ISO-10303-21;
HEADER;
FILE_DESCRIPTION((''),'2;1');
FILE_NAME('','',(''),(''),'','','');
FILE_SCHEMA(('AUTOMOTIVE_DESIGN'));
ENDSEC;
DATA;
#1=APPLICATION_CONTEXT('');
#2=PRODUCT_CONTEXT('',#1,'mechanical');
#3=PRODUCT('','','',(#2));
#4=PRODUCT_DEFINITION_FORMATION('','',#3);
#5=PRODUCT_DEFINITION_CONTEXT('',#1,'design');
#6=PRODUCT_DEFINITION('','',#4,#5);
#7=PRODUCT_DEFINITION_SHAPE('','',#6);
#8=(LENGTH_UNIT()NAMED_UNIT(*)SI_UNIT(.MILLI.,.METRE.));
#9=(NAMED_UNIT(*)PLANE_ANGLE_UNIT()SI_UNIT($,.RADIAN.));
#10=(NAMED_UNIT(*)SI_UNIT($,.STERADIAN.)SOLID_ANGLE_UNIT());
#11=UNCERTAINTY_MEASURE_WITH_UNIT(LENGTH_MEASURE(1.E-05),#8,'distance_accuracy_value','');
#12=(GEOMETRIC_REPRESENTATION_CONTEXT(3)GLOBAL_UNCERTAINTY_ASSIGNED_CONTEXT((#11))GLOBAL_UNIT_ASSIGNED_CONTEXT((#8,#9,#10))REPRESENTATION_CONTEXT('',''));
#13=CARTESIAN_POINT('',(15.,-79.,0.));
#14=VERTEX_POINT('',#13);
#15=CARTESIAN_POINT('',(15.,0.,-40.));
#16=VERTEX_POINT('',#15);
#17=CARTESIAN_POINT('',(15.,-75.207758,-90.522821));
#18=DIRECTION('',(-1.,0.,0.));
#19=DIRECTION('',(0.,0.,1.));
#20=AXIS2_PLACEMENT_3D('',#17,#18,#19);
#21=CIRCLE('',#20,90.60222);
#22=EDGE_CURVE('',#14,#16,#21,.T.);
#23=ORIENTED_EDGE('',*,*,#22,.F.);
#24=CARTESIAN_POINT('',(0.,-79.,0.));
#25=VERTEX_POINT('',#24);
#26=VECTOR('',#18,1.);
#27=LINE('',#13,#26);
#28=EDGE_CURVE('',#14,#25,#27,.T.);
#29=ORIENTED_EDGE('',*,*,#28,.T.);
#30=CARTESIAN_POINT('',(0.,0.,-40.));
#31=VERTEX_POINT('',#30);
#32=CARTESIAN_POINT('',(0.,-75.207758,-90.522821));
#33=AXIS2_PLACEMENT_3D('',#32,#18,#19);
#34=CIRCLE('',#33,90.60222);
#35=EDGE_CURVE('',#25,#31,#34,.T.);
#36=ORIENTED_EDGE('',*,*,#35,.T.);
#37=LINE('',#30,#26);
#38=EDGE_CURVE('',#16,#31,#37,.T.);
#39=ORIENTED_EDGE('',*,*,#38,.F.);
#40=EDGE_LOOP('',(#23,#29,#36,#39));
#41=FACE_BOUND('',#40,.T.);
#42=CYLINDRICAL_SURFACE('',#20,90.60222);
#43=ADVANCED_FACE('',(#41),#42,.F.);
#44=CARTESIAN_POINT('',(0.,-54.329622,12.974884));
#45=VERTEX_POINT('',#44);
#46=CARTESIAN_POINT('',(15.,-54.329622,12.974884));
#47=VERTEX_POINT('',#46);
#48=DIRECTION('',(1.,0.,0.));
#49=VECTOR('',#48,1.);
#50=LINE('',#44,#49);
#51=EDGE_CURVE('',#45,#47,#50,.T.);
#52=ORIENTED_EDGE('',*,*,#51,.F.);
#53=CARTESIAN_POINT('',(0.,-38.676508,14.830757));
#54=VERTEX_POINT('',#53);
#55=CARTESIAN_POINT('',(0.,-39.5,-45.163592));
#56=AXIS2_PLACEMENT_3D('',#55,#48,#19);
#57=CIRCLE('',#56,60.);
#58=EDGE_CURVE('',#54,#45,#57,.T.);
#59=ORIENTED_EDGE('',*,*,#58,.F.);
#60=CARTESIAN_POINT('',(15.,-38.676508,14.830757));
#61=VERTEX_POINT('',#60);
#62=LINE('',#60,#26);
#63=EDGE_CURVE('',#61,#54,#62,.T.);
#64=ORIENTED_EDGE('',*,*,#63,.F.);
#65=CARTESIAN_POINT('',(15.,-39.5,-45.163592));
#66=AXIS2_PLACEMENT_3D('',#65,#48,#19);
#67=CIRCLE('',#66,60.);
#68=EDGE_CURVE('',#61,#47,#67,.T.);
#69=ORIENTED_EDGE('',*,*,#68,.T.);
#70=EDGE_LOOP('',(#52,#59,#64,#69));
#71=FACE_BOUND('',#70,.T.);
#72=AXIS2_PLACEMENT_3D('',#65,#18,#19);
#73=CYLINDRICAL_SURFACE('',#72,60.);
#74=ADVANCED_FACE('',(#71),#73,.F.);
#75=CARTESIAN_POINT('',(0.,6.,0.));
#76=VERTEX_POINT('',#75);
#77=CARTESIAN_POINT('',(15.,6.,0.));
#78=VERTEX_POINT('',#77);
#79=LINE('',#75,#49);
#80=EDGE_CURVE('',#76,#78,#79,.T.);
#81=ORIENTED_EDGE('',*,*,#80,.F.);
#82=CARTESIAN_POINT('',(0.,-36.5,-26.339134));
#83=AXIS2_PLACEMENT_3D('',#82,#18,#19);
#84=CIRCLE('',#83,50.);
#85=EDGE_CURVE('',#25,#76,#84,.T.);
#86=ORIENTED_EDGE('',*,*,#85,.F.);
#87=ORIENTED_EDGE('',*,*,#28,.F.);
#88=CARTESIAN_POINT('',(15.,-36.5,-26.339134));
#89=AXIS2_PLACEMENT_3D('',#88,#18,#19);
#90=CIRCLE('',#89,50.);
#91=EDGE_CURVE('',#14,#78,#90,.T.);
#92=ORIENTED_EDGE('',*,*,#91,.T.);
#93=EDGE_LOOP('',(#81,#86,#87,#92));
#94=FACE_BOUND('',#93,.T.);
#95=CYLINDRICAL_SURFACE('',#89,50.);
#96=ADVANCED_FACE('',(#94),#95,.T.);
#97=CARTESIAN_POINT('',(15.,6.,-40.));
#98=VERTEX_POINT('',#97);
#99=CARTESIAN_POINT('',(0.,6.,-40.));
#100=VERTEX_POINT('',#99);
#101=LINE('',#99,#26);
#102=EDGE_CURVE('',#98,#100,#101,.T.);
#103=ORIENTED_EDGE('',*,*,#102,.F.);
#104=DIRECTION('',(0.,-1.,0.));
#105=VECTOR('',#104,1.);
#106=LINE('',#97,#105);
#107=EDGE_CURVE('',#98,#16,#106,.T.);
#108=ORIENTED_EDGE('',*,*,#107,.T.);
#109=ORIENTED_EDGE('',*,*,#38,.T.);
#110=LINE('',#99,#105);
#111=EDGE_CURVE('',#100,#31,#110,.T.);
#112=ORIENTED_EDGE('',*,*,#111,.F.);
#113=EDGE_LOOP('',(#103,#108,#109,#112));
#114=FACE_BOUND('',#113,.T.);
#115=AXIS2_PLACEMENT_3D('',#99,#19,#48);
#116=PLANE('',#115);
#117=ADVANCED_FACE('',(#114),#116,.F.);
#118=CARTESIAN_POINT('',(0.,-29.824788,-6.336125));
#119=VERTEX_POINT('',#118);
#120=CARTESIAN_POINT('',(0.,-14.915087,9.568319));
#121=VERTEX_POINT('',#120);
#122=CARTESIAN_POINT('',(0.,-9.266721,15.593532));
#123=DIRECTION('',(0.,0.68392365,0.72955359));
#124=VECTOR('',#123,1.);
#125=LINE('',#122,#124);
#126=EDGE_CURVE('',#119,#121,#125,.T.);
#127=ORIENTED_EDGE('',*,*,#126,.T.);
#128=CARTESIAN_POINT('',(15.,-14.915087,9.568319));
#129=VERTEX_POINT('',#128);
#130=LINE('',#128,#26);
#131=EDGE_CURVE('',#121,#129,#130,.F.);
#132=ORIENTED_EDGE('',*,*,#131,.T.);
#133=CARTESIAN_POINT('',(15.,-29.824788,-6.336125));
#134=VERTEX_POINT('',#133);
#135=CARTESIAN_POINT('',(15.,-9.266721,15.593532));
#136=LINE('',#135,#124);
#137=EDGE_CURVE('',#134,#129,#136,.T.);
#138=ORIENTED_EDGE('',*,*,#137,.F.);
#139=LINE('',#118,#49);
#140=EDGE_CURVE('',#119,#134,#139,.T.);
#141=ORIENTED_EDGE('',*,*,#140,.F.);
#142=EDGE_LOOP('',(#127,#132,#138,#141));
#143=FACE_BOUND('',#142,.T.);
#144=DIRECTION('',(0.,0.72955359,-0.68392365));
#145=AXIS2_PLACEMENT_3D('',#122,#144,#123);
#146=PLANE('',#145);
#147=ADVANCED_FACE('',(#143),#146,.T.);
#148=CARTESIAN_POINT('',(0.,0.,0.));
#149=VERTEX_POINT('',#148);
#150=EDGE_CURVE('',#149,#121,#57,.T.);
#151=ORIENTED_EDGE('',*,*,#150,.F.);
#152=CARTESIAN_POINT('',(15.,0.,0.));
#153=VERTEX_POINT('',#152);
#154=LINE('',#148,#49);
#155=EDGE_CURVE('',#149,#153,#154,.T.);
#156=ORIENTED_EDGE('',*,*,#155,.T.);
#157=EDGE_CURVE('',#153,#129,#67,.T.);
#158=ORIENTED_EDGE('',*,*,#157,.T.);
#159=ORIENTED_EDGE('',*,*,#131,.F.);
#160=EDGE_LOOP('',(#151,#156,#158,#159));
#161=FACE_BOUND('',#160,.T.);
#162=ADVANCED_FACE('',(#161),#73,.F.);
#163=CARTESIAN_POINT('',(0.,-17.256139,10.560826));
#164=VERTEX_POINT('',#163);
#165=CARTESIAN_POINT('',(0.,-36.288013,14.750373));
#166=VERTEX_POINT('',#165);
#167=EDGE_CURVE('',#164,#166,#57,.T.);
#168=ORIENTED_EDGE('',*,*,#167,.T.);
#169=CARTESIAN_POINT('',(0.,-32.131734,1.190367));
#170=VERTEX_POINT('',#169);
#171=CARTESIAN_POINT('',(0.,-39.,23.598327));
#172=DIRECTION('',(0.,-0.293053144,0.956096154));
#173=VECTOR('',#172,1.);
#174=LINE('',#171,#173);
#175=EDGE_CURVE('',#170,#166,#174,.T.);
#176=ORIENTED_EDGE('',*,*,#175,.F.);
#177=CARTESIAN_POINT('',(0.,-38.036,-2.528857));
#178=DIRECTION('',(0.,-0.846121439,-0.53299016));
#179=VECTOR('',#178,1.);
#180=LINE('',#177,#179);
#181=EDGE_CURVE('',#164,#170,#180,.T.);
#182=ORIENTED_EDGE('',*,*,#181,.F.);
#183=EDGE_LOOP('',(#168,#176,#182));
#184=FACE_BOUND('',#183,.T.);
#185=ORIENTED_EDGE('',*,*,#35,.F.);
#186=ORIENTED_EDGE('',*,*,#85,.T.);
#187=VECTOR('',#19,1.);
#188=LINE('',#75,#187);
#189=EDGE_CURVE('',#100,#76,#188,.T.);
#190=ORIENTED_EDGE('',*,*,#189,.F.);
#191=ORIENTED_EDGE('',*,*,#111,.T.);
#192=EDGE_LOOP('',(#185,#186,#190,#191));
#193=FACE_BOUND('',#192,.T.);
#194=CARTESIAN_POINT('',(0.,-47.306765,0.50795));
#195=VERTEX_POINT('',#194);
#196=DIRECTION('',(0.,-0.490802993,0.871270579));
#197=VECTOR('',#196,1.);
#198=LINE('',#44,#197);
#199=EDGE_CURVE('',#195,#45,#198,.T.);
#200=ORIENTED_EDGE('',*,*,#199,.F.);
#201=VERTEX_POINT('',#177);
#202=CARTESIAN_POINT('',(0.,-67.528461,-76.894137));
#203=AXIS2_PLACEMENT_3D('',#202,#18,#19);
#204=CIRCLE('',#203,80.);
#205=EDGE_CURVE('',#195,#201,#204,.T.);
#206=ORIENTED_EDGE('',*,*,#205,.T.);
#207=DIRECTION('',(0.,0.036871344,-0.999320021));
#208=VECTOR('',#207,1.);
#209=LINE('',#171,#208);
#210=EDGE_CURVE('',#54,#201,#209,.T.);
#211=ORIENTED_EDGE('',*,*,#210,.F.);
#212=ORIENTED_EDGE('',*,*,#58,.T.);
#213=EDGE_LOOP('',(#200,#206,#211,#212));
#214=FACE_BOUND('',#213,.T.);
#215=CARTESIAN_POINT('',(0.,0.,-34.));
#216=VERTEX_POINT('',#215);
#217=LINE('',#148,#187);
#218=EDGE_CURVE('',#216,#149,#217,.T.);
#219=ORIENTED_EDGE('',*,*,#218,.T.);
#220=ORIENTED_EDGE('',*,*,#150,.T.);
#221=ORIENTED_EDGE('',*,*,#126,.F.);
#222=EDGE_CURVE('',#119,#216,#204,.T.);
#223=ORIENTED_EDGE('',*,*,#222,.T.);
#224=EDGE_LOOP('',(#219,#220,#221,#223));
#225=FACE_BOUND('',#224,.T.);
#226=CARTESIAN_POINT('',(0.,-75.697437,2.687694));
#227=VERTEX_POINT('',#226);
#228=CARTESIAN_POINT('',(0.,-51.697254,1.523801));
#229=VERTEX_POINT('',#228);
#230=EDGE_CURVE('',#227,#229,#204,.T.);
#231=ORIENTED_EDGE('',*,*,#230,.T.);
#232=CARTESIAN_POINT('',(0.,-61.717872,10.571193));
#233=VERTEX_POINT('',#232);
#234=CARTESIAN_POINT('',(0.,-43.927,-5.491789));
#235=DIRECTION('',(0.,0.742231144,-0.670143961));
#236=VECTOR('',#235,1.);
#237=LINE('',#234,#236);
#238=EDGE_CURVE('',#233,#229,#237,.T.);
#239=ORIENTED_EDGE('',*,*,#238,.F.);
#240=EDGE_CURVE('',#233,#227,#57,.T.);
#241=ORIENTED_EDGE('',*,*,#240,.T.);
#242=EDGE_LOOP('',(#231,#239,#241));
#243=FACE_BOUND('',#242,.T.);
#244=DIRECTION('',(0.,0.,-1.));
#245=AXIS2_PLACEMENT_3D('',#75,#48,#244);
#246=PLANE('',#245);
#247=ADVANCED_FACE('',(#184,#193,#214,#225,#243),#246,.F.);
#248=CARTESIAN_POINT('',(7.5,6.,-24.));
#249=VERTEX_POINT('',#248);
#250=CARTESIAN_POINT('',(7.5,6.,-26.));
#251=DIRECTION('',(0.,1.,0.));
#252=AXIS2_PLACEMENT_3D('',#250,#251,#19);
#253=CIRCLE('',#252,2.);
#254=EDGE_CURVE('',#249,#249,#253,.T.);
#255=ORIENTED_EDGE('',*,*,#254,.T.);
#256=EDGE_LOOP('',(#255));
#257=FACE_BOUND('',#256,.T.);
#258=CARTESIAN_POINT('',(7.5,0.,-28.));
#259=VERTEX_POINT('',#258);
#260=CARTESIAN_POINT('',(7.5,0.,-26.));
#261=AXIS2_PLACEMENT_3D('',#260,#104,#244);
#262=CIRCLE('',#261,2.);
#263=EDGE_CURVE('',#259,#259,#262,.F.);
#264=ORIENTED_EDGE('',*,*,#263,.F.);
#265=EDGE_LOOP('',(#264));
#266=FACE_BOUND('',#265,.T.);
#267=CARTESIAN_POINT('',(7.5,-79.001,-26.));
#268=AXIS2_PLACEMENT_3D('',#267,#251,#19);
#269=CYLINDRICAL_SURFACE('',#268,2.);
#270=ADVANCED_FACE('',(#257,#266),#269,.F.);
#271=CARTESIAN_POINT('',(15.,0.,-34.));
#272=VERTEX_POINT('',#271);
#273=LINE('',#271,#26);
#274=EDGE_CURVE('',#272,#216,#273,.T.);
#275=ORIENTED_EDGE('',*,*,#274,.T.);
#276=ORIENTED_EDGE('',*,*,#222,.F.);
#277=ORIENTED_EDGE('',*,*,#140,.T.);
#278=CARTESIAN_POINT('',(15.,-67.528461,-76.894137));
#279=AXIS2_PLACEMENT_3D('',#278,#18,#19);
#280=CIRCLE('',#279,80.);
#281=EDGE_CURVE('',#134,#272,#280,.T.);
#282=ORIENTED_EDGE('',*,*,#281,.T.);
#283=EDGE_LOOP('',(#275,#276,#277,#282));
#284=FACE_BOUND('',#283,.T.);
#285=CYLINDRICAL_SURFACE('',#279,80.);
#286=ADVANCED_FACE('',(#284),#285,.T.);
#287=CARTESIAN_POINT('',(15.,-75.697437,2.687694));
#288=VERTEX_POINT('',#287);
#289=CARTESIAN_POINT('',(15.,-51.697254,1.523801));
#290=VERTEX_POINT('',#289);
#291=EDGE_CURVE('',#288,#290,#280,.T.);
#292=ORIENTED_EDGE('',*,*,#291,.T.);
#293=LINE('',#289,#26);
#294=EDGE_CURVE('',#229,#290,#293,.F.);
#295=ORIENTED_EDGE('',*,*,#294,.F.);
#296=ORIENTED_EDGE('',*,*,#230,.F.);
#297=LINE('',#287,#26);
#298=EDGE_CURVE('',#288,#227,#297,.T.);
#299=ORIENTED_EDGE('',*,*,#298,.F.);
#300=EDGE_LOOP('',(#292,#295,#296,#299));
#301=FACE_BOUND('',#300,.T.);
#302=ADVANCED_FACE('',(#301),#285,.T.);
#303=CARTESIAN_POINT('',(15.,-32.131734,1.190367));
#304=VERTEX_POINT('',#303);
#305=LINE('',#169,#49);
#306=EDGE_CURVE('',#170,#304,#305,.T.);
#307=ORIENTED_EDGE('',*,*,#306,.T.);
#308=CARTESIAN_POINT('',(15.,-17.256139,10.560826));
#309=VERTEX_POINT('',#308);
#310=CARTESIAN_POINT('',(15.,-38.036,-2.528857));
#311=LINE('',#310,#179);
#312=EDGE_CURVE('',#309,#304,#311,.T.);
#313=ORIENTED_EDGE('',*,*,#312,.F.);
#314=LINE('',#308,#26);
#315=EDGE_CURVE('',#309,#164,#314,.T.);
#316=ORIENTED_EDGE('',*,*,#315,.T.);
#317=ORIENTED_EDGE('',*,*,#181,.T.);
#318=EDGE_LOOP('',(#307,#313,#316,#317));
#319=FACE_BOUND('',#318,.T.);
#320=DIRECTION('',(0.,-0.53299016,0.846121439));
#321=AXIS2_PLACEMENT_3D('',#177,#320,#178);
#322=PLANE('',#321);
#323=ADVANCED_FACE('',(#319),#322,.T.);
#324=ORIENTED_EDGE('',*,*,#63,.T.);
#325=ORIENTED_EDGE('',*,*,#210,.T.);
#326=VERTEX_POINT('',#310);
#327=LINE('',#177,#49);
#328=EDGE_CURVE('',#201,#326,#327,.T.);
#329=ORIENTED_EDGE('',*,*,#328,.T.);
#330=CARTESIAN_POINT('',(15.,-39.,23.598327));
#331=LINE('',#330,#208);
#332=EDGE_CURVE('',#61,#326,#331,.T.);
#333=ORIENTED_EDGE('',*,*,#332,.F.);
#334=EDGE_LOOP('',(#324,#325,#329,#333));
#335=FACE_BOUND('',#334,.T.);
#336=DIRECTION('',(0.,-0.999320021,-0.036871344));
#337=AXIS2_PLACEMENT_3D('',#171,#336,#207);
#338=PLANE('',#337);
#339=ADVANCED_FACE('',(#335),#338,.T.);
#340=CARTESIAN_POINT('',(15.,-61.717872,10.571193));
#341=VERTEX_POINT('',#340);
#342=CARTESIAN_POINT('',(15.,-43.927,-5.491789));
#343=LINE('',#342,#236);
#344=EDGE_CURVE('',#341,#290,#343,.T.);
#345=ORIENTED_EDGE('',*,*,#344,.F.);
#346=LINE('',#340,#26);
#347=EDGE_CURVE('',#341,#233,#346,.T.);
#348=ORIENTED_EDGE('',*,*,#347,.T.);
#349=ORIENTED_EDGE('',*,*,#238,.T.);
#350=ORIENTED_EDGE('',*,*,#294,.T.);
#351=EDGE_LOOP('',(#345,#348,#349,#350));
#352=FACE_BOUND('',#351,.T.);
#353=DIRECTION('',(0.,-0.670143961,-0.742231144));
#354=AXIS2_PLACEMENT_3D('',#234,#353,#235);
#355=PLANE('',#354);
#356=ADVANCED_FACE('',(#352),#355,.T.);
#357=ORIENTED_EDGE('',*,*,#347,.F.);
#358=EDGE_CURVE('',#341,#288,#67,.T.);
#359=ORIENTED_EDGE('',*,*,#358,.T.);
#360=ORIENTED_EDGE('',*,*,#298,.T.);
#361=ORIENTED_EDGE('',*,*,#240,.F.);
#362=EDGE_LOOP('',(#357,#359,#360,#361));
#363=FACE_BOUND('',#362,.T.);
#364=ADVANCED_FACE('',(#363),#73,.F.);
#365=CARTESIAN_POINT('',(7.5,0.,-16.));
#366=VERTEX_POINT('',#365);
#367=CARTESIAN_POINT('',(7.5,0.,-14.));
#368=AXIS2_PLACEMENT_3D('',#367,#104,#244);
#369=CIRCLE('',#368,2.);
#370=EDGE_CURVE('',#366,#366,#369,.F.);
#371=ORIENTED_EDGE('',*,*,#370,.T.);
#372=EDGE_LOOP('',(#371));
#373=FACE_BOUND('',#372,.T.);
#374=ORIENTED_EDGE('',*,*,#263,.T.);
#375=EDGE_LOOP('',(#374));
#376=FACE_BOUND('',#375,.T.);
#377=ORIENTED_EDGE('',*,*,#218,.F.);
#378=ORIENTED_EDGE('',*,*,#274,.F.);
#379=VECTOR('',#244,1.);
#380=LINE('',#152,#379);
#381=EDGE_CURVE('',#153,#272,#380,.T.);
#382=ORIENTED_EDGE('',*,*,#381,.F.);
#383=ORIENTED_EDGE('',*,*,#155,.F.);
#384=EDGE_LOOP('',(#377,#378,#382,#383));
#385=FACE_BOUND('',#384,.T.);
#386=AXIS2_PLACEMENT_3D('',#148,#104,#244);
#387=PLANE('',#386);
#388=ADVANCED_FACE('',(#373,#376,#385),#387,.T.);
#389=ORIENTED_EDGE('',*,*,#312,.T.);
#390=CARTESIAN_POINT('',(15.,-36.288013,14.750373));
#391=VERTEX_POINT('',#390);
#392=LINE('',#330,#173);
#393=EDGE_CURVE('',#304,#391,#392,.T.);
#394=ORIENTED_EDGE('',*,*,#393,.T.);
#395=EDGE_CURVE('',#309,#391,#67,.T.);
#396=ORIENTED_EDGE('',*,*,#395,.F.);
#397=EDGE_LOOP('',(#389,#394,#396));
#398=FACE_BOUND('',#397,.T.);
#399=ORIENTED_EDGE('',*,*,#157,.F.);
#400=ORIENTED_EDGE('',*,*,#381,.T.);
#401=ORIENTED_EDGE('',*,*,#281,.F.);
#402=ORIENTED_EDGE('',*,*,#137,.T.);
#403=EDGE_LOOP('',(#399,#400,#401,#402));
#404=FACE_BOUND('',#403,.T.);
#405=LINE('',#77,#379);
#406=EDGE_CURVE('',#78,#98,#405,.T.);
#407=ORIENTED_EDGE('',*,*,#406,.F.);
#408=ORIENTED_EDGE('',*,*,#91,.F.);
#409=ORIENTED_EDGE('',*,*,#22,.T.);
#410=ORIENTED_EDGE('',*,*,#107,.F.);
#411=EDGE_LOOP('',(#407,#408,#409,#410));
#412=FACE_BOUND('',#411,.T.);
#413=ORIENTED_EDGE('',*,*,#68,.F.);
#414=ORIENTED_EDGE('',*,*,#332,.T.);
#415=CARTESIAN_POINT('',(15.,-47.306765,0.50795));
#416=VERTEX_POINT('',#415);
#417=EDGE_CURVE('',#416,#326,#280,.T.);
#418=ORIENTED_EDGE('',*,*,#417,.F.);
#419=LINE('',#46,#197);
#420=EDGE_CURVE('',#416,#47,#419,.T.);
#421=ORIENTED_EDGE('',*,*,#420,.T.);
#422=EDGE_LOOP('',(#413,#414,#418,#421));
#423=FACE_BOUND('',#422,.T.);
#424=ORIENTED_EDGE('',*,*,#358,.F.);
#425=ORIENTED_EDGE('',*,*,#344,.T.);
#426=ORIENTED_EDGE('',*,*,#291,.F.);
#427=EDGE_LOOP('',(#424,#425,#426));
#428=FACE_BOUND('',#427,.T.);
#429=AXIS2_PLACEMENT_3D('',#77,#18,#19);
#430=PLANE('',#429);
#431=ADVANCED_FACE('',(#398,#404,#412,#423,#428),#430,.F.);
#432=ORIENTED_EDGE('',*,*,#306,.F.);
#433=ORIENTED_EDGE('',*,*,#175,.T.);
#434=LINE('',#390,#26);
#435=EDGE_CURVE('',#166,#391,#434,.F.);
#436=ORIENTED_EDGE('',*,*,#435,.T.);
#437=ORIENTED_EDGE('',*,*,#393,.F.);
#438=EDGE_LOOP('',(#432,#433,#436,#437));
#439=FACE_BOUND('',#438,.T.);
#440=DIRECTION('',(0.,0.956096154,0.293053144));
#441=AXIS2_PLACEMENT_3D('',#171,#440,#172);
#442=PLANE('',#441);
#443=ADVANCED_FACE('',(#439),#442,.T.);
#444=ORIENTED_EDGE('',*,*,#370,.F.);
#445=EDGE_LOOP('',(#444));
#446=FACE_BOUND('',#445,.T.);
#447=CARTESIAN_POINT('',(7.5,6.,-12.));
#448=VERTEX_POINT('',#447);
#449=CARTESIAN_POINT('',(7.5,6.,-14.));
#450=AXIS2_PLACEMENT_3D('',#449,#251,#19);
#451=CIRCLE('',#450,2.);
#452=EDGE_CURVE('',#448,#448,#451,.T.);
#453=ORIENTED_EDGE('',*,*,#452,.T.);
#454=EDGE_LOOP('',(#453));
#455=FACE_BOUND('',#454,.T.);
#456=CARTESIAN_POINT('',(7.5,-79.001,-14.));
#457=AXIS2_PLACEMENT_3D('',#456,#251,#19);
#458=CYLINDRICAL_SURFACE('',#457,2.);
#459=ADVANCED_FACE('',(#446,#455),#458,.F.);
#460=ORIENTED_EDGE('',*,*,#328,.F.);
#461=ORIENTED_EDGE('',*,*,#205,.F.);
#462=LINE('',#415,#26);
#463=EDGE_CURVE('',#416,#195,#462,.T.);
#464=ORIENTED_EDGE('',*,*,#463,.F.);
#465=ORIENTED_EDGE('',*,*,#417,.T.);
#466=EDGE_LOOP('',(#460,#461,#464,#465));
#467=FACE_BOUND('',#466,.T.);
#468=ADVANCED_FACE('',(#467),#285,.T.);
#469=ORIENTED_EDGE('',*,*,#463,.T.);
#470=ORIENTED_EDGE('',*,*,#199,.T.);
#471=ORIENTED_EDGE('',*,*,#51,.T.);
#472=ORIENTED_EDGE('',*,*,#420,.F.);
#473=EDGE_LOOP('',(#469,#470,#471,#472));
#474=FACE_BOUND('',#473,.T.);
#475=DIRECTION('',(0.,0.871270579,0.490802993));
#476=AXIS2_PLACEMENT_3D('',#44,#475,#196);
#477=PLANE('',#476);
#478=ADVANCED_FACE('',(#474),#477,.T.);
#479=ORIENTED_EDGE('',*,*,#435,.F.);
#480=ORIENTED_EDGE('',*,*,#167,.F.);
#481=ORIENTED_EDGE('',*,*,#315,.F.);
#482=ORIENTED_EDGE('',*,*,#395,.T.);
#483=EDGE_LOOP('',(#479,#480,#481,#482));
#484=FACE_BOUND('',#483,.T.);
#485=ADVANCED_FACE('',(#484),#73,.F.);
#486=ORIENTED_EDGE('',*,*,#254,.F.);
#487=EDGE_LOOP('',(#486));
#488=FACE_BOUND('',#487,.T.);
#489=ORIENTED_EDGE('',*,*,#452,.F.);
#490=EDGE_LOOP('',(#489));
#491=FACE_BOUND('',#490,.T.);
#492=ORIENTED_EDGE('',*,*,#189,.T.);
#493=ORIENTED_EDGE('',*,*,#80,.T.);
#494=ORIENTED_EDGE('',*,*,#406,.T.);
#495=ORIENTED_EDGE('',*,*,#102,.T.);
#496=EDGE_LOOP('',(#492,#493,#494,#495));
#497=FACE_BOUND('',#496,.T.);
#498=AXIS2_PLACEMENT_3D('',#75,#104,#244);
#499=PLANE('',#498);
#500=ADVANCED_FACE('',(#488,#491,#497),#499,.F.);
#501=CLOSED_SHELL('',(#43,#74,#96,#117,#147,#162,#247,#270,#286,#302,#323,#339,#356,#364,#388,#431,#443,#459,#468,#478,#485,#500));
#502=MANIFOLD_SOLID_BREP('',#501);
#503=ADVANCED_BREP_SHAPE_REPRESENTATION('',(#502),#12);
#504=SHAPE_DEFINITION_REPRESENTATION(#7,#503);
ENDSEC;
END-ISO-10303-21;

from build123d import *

# Parameters (mm, degrees)
SKETCH1_W            = 15
SKETCH1_H            = 40
BOSS_EXTRUDE1_DEPTH  = 6
BOSS_EXTRUDE3_DEPTH  = 15
BOSS_EXTRUDE7_DEPTH  = 15
BOSS_EXTRUDE9_DEPTH  = 15
BOSS_EXTRUDE10_DEPTH = 15
BOSS_EXTRUDE11_DEPTH = 15
CUT_EXTRUDE2_REACH   = 87
SKETCH11_R           = 2


with BuildPart() as part:
    # Sketch1 → Boss-Extrude1 (new body)
    with BuildSketch(Plane(origin=(0, 0, 0), x_dir=(1, 0, 0), z_dir=(0, 1, 0))):
        with Locations((7.5, 20)):
            Rectangle(SKETCH1_W, SKETCH1_H)
    extrude(amount=BOSS_EXTRUDE1_DEPTH)

    # Sketch2 → Boss-Extrude3 (add)
    with BuildSketch(Plane.ZY):
        with BuildLine():
            Line((0, 0), (0, 6))
            ThreePointArc((0, 6), (23.660865618, -36.5), (0, -79))
            ThreePointArc((0, -79), (14.836408469, -39.5), (0, 0))
        make_face()
    extrude(amount=-BOSS_EXTRUDE3_DEPTH)

    # Sketch4 → Boss-Extrude7 (add)
    with BuildSketch(Plane.ZY):
        with BuildLine():
            ThreePointArc((2.687694394, -75.697436861), (-4.903747344, -32.637432794), (-34, 0))
            Line((-34, 0), (-40, 0))
            ThreePointArc((-40, 0), (-9.691402152, -34.280456786), (0, -79))
            ThreePointArc((0, -79), (1.37315296, -77.372568069), (2.687694394, -75.697436861))
        make_face()
    extrude(amount=-BOSS_EXTRUDE7_DEPTH)

    # Sketch6 → Boss-Extrude9 (add)
    with BuildSketch(Plane(origin=(15, 0, 0), x_dir=(0, 0, -1), z_dir=(1, 0, 0))):
        with BuildLine():
            Line((-23.598326506, -39), (6.336124845, -29.82478781))
            ThreePointArc((6.336124845, -29.82478781), (7.039786657, -35.139310612), (2.528857435, -38.036000122))
            Line((2.528857435, -38.036000122), (-23.598326506, -39))
        make_face()
    extrude(amount=-BOSS_EXTRUDE9_DEPTH)

    # Sketch7 → Boss-Extrude10 (add)
    with BuildSketch(Plane(origin=(15, 0, 0), x_dir=(0, 0, -1), z_dir=(1, 0, 0))):
        Polygon((-12.974883891, -54.329621557), (5.491788936, -43.926999792), (-14.212166694, -65.750503945), align=None)
    extrude(amount=-BOSS_EXTRUDE10_DEPTH)

    # Sketch8 → Boss-Extrude11 (add)
    with BuildSketch(Plane(origin=(15, 0, 0), x_dir=(0, 0, -1), z_dir=(1, 0, 0))):
        Polygon((-15.593532308, -9.266721382), (6.336124845, -29.82478781), (2.528857435, -38.036000122), align=None)
    extrude(amount=-BOSS_EXTRUDE11_DEPTH)

    # Sketch11 → Cut-Extrude2 (cut, up to next)
    with BuildSketch(Plane(origin=(0, 6, 0), x_dir=(1, 0, 0), z_dir=(0, 1, 0)), mode=Mode.PRIVATE) as cut_extrude2_sk1:
        with Locations((7.5, 26)):
            Circle(SKETCH11_R)
    cut_extrude2_tool1 = extrude(cut_extrude2_sk1.sketch, amount=-CUT_EXTRUDE2_REACH, mode=Mode.PRIVATE) & part.part
    add(cut_extrude2_tool1.solids().sort_by_distance((7.5, 6, -26))[0], mode=Mode.SUBTRACT)
    # Sketch11 → Cut-Extrude2 (cut, up to next)
    with BuildSketch(Plane(origin=(0, 6, 0), x_dir=(1, 0, 0), z_dir=(0, 1, 0)), mode=Mode.PRIVATE) as cut_extrude2_sk2:
        with Locations((7.5, 14)):
            Circle(SKETCH11_R)
    cut_extrude2_tool2 = extrude(cut_extrude2_sk2.sketch, amount=-CUT_EXTRUDE2_REACH, mode=Mode.PRIVATE) & part.part
    add(cut_extrude2_tool2.solids().sort_by_distance((7.5, 6, -14))[0], mode=Mode.SUBTRACT)


solid = part.part
